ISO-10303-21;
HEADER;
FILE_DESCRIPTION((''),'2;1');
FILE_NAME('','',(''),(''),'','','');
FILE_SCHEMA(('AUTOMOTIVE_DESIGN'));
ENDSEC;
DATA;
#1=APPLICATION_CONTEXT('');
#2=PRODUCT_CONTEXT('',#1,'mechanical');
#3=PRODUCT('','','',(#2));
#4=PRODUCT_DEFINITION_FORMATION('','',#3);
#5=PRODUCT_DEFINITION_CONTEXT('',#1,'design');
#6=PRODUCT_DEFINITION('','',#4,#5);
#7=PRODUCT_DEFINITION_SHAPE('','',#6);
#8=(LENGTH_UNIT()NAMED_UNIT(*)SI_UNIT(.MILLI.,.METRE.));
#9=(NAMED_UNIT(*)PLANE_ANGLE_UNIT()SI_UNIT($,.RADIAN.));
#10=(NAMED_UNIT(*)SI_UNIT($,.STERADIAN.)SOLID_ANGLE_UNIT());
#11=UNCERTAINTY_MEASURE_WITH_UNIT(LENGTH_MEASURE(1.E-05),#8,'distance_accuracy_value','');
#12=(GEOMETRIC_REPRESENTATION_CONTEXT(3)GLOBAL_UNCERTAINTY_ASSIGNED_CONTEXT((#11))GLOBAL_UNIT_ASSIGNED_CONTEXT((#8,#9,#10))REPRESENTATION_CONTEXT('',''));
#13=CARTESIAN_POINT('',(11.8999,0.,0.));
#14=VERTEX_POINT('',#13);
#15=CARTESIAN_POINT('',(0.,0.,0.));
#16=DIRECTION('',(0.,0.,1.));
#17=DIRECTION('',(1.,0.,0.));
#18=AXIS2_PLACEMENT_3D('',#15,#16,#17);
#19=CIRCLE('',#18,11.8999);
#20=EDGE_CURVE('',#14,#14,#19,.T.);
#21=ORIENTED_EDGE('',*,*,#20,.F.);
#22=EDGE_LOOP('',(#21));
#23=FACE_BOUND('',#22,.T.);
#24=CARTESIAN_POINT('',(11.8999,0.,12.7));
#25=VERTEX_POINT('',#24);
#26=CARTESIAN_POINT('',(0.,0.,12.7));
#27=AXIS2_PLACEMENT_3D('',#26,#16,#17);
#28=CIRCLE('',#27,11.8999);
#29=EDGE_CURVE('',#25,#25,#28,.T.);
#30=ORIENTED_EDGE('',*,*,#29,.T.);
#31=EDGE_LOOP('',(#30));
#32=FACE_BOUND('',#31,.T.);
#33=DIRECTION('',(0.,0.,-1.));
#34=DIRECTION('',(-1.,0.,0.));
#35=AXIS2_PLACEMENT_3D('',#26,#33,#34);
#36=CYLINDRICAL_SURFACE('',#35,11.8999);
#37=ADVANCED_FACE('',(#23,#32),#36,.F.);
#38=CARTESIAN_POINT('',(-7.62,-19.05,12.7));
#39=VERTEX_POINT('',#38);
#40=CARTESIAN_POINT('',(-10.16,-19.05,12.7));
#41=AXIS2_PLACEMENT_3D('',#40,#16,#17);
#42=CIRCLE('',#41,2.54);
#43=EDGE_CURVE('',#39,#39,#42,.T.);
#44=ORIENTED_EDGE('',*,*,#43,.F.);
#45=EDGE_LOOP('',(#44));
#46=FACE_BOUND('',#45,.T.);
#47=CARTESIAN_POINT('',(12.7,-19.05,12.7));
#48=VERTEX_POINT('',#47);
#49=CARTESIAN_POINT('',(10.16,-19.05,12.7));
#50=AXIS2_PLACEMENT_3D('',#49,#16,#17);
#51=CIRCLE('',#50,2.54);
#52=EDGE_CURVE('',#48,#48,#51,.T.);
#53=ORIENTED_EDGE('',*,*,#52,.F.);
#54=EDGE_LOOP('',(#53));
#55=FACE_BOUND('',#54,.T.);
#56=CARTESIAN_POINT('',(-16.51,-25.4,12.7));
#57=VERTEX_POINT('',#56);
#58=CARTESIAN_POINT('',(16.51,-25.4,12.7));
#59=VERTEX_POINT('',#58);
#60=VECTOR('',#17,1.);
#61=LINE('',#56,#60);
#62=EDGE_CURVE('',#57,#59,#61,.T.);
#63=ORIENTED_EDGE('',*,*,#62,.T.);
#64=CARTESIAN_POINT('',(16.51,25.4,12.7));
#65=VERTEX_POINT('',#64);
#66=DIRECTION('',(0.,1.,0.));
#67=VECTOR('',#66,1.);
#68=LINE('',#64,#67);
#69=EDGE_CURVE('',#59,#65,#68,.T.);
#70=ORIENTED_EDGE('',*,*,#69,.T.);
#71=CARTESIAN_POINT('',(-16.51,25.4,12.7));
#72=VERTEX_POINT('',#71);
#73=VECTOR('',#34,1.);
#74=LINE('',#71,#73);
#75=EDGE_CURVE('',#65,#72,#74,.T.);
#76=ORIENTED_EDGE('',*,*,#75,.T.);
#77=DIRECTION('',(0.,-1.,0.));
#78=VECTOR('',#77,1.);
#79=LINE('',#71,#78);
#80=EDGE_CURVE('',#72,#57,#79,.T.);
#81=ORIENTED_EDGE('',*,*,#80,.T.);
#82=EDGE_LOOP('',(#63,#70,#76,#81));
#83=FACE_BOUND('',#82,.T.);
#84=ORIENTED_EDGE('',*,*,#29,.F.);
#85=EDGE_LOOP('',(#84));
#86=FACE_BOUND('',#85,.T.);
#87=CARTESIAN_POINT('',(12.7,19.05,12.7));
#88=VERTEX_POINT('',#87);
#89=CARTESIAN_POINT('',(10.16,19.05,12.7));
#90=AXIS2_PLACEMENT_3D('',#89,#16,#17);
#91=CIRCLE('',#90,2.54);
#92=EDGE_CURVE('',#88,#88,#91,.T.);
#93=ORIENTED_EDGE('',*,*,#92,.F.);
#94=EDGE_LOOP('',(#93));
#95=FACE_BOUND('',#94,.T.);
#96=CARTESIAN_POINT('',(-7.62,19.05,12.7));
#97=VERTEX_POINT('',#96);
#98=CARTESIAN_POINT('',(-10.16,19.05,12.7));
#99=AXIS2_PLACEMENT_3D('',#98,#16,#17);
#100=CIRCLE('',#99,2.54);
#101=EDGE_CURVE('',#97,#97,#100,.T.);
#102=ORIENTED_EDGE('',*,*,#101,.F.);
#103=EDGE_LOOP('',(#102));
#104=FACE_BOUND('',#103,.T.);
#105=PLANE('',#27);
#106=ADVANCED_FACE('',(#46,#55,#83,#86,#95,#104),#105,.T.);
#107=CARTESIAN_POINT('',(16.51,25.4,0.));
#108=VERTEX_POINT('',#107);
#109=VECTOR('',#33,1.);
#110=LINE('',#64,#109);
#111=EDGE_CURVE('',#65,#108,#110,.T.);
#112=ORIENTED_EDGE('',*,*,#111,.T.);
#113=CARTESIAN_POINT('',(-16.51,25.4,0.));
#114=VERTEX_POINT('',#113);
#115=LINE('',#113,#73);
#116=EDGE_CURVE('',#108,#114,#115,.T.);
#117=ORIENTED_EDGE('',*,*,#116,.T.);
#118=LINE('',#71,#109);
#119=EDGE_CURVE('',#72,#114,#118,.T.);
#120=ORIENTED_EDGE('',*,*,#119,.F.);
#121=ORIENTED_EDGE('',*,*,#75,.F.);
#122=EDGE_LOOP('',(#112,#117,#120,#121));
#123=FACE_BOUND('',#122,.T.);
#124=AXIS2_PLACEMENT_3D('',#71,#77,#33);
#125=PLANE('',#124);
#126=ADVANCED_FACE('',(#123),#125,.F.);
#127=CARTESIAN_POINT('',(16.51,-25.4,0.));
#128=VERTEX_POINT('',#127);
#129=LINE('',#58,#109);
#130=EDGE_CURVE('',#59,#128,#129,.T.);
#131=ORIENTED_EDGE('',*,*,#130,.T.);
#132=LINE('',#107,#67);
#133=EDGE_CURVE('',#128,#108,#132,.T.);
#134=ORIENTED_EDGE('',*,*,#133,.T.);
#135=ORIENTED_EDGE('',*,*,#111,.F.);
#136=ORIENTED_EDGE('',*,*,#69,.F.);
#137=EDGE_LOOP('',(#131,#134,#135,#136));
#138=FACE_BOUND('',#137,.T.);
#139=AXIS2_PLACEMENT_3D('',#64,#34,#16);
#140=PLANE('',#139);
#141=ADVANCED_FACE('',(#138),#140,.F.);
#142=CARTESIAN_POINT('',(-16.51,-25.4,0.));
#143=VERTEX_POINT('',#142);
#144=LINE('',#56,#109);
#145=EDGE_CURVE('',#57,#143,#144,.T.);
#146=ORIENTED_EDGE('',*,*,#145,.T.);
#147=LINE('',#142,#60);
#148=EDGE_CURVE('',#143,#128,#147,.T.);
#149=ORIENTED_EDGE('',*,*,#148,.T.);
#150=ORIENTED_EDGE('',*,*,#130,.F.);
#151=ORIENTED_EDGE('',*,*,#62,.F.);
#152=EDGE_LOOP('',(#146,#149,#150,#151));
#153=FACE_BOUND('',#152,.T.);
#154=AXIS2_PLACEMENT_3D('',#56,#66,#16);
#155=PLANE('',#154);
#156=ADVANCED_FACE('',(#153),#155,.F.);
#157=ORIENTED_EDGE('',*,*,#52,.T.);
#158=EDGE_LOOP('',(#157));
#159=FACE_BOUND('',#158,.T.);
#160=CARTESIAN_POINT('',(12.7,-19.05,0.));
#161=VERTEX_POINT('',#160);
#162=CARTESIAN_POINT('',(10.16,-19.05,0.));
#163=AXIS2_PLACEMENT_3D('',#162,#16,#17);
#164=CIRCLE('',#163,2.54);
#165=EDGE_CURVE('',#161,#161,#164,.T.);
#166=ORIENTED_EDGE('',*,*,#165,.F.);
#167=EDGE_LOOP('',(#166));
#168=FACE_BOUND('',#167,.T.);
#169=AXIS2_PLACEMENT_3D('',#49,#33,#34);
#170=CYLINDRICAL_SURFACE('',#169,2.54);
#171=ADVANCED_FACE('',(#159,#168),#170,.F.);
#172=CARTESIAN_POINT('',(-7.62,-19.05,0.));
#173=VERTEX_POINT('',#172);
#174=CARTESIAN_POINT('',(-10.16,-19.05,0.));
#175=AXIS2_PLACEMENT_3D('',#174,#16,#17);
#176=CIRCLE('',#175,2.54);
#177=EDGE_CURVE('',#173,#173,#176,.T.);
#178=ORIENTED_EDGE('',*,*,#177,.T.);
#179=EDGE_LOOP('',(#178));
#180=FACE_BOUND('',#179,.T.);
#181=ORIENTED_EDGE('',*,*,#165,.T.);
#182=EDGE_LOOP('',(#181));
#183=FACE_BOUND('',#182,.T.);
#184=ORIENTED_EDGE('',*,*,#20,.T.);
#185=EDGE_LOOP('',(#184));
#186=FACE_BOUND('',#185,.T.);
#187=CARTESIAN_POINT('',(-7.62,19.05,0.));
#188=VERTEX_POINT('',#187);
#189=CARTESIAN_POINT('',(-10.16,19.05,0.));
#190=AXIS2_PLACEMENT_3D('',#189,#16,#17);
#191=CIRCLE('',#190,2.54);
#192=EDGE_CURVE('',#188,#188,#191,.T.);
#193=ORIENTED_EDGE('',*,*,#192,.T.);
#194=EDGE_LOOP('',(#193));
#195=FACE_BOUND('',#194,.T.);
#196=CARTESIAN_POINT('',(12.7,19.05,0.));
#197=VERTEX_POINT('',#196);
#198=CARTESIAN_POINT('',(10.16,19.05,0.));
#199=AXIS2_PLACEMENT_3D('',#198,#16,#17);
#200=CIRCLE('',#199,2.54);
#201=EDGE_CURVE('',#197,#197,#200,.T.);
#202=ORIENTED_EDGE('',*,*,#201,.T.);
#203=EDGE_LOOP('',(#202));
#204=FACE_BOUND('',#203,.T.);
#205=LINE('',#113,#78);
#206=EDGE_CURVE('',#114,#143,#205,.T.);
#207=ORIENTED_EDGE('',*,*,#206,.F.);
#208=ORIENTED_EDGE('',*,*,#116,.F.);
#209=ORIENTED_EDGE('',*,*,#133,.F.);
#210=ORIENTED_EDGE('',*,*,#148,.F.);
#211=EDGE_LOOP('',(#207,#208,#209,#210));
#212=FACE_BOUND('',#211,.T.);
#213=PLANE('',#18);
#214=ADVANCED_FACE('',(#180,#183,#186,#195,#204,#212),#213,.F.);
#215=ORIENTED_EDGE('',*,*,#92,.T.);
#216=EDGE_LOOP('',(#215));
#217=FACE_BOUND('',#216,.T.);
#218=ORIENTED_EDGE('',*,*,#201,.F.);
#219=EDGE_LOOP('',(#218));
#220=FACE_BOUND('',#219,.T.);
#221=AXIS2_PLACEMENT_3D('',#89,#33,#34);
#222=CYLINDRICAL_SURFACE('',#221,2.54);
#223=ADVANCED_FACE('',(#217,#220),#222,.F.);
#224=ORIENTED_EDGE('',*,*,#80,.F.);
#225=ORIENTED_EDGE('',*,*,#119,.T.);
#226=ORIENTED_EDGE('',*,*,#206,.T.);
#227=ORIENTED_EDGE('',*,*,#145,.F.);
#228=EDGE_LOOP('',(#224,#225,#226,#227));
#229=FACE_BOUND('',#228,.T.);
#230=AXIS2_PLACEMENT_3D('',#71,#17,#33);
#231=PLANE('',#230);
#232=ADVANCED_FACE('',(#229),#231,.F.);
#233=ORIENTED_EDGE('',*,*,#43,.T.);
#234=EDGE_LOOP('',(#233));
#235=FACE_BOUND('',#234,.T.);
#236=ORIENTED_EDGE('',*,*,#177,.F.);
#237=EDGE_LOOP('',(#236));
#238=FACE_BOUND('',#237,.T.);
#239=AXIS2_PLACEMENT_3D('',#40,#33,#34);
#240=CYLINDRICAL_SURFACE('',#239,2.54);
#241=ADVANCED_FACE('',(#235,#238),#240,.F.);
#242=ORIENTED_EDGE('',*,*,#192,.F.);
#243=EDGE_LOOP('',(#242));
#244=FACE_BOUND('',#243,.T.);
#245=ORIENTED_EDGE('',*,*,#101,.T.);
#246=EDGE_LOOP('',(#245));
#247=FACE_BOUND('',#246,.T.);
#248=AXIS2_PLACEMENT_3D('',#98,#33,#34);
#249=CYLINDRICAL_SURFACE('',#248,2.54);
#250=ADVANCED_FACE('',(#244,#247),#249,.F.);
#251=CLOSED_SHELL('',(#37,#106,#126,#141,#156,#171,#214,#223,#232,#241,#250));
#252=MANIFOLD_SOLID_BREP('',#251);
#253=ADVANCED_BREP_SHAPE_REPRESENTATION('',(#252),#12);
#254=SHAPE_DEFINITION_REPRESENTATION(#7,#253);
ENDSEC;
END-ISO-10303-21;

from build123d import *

# Parameters (mm, degrees)
SKETCH1_W           = 33.02
SKETCH1_H           = 50.8
SKETCH1_R           = 2.54
SKETCH1_R_2         = 11.8999
BOSS_EXTRUDE1_DEPTH = 12.7


with BuildPart() as part:
    # Sketch1 → Boss-Extrude1 (new body)
    with BuildSketch(Plane.XY):
        Rectangle(SKETCH1_W, SKETCH1_H)
        with Locations((-10.16, 19.05)):
            Circle(SKETCH1_R, mode=Mode.SUBTRACT)
        with Locations((10.16, 19.05)):
            Circle(SKETCH1_R, mode=Mode.SUBTRACT)
        with Locations((10.16, -19.05)):
            Circle(SKETCH1_R, mode=Mode.SUBTRACT)
        with Locations((-10.16, -19.05)):
            Circle(SKETCH1_R, mode=Mode.SUBTRACT)
        Circle(SKETCH1_R_2, mode=Mode.SUBTRACT)
    extrude(amount=BOSS_EXTRUDE1_DEPTH)


solid = part.part
